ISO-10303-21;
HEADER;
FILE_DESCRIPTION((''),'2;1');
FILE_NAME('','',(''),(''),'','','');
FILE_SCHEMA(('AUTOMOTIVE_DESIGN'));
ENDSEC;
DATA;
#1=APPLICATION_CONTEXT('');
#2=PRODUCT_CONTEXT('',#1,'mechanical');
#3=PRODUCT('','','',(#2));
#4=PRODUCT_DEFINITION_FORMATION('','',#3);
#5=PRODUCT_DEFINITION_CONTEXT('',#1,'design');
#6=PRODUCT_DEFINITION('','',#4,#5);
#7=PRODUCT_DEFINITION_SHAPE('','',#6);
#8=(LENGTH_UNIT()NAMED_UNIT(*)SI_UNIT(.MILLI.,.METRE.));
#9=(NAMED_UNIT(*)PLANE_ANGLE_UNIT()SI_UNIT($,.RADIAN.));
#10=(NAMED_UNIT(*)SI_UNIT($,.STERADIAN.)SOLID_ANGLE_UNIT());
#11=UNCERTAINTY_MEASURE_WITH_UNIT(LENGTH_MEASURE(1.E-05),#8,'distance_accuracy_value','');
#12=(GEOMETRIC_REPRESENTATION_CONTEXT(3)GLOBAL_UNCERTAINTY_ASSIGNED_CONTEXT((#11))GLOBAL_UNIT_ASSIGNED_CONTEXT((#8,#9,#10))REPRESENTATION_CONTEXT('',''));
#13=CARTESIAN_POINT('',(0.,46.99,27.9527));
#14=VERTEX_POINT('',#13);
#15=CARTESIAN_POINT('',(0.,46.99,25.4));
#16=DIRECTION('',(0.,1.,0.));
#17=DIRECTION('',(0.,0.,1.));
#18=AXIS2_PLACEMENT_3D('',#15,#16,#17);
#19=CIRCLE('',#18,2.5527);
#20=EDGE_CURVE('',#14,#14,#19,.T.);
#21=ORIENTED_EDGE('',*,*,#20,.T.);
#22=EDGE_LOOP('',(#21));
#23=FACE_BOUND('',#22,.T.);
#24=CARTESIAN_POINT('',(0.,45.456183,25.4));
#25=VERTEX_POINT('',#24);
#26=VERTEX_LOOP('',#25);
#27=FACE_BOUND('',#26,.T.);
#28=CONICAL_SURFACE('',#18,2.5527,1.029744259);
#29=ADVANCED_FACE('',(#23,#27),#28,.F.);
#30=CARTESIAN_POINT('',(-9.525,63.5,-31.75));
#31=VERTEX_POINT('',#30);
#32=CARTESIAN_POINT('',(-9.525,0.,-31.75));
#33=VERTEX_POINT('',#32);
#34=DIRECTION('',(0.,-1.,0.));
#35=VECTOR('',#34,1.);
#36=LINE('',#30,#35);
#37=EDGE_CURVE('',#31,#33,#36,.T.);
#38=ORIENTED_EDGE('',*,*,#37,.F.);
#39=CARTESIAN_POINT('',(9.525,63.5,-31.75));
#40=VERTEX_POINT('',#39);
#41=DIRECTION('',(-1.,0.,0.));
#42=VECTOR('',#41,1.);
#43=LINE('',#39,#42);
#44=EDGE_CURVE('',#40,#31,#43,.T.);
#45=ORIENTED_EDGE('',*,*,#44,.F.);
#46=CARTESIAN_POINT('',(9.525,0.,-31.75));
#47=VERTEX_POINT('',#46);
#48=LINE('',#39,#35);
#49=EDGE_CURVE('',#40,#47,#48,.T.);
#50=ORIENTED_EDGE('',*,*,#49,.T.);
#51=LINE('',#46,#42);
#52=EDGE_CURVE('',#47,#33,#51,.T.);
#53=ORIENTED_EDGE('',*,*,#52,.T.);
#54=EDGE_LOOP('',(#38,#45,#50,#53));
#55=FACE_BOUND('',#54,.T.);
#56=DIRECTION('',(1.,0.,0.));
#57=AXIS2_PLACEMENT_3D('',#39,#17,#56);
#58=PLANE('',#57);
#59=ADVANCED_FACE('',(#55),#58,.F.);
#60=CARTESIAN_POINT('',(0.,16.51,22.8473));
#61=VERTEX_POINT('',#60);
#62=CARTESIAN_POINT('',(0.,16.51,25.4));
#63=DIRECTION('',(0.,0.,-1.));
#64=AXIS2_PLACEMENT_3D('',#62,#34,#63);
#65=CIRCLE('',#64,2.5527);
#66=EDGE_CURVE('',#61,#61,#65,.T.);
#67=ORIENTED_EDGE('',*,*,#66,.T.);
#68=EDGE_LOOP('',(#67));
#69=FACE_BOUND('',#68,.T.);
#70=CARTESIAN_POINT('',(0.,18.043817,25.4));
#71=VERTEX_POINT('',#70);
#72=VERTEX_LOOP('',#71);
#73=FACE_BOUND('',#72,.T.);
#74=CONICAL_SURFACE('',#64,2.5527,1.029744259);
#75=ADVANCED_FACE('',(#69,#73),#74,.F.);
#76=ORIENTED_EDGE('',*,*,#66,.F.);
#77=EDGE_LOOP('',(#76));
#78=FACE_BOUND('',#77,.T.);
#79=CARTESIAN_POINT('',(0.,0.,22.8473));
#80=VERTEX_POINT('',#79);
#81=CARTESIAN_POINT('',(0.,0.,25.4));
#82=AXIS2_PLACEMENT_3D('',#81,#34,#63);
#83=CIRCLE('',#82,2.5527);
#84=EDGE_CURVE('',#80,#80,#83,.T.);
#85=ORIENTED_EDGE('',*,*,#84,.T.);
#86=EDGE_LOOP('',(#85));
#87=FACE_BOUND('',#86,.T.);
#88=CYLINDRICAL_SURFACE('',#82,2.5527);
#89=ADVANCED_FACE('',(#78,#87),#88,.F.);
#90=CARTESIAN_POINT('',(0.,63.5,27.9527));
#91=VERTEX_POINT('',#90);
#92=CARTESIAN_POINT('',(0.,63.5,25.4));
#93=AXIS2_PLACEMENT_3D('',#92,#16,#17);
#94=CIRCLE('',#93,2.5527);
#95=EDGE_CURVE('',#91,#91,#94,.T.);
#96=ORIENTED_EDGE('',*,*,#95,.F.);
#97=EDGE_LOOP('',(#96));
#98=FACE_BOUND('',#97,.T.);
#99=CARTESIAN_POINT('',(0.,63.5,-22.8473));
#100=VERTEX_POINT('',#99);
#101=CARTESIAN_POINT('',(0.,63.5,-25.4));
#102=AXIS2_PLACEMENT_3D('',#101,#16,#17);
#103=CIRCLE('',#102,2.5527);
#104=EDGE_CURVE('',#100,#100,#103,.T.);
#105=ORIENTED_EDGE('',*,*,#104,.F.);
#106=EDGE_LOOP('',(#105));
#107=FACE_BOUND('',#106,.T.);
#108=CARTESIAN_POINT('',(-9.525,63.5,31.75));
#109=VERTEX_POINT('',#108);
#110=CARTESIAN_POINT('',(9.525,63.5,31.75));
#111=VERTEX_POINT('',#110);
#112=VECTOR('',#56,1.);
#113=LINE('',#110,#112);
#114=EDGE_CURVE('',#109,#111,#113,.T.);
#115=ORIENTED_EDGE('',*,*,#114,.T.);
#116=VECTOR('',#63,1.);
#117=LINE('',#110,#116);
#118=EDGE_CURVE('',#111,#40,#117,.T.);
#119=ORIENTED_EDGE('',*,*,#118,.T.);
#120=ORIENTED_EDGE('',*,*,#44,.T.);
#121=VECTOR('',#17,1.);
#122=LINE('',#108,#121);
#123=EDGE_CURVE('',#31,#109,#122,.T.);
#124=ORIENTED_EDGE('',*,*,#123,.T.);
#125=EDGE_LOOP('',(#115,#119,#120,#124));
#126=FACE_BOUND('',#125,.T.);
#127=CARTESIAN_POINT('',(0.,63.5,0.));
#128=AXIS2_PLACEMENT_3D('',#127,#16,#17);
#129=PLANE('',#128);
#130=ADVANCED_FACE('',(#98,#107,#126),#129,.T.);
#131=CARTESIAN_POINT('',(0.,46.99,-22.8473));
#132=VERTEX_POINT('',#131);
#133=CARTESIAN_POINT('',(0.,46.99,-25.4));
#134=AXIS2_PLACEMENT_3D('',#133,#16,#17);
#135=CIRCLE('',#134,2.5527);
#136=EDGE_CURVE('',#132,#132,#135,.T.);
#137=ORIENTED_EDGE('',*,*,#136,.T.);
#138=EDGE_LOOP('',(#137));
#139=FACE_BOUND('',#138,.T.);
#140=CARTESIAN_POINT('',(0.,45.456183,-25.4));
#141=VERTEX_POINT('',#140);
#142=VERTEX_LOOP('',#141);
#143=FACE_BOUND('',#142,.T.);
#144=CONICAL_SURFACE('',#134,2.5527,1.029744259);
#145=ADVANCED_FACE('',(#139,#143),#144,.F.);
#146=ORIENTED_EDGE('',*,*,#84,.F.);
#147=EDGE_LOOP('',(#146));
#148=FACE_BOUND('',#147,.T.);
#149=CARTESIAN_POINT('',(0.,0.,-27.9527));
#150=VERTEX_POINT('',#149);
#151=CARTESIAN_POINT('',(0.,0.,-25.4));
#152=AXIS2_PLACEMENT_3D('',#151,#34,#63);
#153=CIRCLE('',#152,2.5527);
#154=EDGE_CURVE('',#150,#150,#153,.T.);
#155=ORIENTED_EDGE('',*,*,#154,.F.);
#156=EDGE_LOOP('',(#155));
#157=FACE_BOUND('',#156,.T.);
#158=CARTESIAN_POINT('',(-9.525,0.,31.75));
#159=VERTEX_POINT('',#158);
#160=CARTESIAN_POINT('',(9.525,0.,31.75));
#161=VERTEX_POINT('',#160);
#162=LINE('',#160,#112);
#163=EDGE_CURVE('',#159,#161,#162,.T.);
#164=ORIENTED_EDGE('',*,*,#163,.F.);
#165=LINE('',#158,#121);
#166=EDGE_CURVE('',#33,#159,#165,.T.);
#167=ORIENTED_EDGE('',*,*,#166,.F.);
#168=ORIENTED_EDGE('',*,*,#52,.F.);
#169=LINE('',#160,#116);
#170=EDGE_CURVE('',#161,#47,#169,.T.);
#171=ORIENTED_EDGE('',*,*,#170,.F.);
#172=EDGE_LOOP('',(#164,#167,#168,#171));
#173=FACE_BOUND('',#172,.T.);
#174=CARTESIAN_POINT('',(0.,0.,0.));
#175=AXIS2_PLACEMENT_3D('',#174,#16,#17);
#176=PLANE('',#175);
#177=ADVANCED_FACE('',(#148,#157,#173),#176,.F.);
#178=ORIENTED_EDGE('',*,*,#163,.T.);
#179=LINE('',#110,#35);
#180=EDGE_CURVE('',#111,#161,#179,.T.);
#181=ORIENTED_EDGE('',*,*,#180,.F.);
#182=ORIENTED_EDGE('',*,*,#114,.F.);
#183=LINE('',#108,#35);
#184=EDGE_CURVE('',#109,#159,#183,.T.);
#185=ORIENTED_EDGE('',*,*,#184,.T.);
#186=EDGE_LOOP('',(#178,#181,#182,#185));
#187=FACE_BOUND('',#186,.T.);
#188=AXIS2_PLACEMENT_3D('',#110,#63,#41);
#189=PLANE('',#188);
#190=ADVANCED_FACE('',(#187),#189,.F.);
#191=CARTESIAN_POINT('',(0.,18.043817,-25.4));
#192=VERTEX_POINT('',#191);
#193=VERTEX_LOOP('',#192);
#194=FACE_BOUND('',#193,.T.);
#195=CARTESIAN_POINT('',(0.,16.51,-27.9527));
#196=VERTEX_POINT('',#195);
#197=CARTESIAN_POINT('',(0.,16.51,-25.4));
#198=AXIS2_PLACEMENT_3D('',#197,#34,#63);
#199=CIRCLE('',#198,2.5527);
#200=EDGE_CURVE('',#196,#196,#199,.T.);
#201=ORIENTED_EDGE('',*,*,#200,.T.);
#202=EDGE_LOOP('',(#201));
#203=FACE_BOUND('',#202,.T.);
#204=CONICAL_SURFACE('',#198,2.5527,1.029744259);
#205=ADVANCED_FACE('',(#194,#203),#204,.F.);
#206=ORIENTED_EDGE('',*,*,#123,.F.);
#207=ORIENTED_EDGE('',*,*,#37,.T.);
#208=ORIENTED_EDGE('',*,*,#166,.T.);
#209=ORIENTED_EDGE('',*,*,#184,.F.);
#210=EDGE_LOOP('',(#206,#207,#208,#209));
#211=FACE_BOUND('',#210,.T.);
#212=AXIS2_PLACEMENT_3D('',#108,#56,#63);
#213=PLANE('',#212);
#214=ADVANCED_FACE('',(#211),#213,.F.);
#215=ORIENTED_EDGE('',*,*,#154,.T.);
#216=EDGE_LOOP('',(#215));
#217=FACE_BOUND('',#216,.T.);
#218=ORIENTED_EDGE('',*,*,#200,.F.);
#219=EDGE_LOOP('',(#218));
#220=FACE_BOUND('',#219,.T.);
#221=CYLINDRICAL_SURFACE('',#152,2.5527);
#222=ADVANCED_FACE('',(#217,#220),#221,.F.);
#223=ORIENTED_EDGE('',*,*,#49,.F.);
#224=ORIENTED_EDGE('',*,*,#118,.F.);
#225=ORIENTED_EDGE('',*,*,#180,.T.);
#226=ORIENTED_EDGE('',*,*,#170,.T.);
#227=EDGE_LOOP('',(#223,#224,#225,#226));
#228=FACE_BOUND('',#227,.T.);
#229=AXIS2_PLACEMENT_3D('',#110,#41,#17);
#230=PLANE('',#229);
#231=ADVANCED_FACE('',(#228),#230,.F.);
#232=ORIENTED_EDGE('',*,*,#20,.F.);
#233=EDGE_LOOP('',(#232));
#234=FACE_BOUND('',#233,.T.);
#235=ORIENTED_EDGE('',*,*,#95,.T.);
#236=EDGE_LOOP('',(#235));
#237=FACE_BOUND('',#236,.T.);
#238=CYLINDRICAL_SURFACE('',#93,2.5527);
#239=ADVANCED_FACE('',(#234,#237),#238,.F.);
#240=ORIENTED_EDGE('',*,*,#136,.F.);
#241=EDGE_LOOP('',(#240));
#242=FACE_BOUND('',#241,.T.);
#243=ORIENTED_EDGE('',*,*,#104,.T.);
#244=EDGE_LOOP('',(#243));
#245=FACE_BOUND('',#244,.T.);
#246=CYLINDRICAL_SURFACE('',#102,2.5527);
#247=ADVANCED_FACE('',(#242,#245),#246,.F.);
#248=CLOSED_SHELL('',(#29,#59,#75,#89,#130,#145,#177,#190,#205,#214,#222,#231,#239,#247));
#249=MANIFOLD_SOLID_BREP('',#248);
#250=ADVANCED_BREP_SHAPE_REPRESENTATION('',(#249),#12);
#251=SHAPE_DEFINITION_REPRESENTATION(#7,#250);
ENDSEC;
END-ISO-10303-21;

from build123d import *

# Parameters (mm, degrees)
SKETCH1_W                   = 19.05
SKETCH1_H                   = 63.5
BOSS_EXTRUDE1_DEPTH         = 63.5
F_1_4_20_TAPPED_HOLE1_D     = 5.1054
F_1_4_20_TAPPED_HOLE1_DEPTH = 16.51
F_1_4_20_TAPPED_HOLE1_TIP   = 1.533816902
F_1_4_20_TAPPED_HOLE2_D     = 5.1054
F_1_4_20_TAPPED_HOLE2_DEPTH = 16.51
F_1_4_20_TAPPED_HOLE2_TIP   = 1.533816902


with BuildPart() as part:
    # Sketch1 → Boss-Extrude1 (new body)
    with BuildSketch(Plane(origin=(0, 0, 0), x_dir=(1, 0, 0), z_dir=(0, 1, 0))):
        Rectangle(SKETCH1_W, SKETCH1_H)
    extrude(amount=BOSS_EXTRUDE1_DEPTH)

    # 1/4-20 Tapped Hole1
    with Locations(Plane(origin=(0, 0, 0), x_dir=(-1, 0, 0), z_dir=(0, -1, 0))):
        with Locations((0, -25.4), (0, 25.4)):
            Hole(F_1_4_20_TAPPED_HOLE1_D / 2, depth=F_1_4_20_TAPPED_HOLE1_DEPTH)
            with Locations((0, 0, -(F_1_4_20_TAPPED_HOLE1_DEPTH + F_1_4_20_TAPPED_HOLE1_TIP / 2))):  # 118° drill point
                Cone(0, F_1_4_20_TAPPED_HOLE1_D / 2, F_1_4_20_TAPPED_HOLE1_TIP, mode=Mode.SUBTRACT)

    # 1/4-20 Tapped Hole2
    with Locations(Plane(origin=(0, 63.5, 0), x_dir=(1, 0, 0), z_dir=(0, 1, 0))):
        with Locations((0, 25.4), (0, -25.4)):
            Hole(F_1_4_20_TAPPED_HOLE2_D / 2, depth=F_1_4_20_TAPPED_HOLE2_DEPTH)
            with Locations((0, 0, -(F_1_4_20_TAPPED_HOLE2_DEPTH + F_1_4_20_TAPPED_HOLE2_TIP / 2))):  # 118° drill point
                Cone(0, F_1_4_20_TAPPED_HOLE2_D / 2, F_1_4_20_TAPPED_HOLE2_TIP, mode=Mode.SUBTRACT)


solid = part.part
